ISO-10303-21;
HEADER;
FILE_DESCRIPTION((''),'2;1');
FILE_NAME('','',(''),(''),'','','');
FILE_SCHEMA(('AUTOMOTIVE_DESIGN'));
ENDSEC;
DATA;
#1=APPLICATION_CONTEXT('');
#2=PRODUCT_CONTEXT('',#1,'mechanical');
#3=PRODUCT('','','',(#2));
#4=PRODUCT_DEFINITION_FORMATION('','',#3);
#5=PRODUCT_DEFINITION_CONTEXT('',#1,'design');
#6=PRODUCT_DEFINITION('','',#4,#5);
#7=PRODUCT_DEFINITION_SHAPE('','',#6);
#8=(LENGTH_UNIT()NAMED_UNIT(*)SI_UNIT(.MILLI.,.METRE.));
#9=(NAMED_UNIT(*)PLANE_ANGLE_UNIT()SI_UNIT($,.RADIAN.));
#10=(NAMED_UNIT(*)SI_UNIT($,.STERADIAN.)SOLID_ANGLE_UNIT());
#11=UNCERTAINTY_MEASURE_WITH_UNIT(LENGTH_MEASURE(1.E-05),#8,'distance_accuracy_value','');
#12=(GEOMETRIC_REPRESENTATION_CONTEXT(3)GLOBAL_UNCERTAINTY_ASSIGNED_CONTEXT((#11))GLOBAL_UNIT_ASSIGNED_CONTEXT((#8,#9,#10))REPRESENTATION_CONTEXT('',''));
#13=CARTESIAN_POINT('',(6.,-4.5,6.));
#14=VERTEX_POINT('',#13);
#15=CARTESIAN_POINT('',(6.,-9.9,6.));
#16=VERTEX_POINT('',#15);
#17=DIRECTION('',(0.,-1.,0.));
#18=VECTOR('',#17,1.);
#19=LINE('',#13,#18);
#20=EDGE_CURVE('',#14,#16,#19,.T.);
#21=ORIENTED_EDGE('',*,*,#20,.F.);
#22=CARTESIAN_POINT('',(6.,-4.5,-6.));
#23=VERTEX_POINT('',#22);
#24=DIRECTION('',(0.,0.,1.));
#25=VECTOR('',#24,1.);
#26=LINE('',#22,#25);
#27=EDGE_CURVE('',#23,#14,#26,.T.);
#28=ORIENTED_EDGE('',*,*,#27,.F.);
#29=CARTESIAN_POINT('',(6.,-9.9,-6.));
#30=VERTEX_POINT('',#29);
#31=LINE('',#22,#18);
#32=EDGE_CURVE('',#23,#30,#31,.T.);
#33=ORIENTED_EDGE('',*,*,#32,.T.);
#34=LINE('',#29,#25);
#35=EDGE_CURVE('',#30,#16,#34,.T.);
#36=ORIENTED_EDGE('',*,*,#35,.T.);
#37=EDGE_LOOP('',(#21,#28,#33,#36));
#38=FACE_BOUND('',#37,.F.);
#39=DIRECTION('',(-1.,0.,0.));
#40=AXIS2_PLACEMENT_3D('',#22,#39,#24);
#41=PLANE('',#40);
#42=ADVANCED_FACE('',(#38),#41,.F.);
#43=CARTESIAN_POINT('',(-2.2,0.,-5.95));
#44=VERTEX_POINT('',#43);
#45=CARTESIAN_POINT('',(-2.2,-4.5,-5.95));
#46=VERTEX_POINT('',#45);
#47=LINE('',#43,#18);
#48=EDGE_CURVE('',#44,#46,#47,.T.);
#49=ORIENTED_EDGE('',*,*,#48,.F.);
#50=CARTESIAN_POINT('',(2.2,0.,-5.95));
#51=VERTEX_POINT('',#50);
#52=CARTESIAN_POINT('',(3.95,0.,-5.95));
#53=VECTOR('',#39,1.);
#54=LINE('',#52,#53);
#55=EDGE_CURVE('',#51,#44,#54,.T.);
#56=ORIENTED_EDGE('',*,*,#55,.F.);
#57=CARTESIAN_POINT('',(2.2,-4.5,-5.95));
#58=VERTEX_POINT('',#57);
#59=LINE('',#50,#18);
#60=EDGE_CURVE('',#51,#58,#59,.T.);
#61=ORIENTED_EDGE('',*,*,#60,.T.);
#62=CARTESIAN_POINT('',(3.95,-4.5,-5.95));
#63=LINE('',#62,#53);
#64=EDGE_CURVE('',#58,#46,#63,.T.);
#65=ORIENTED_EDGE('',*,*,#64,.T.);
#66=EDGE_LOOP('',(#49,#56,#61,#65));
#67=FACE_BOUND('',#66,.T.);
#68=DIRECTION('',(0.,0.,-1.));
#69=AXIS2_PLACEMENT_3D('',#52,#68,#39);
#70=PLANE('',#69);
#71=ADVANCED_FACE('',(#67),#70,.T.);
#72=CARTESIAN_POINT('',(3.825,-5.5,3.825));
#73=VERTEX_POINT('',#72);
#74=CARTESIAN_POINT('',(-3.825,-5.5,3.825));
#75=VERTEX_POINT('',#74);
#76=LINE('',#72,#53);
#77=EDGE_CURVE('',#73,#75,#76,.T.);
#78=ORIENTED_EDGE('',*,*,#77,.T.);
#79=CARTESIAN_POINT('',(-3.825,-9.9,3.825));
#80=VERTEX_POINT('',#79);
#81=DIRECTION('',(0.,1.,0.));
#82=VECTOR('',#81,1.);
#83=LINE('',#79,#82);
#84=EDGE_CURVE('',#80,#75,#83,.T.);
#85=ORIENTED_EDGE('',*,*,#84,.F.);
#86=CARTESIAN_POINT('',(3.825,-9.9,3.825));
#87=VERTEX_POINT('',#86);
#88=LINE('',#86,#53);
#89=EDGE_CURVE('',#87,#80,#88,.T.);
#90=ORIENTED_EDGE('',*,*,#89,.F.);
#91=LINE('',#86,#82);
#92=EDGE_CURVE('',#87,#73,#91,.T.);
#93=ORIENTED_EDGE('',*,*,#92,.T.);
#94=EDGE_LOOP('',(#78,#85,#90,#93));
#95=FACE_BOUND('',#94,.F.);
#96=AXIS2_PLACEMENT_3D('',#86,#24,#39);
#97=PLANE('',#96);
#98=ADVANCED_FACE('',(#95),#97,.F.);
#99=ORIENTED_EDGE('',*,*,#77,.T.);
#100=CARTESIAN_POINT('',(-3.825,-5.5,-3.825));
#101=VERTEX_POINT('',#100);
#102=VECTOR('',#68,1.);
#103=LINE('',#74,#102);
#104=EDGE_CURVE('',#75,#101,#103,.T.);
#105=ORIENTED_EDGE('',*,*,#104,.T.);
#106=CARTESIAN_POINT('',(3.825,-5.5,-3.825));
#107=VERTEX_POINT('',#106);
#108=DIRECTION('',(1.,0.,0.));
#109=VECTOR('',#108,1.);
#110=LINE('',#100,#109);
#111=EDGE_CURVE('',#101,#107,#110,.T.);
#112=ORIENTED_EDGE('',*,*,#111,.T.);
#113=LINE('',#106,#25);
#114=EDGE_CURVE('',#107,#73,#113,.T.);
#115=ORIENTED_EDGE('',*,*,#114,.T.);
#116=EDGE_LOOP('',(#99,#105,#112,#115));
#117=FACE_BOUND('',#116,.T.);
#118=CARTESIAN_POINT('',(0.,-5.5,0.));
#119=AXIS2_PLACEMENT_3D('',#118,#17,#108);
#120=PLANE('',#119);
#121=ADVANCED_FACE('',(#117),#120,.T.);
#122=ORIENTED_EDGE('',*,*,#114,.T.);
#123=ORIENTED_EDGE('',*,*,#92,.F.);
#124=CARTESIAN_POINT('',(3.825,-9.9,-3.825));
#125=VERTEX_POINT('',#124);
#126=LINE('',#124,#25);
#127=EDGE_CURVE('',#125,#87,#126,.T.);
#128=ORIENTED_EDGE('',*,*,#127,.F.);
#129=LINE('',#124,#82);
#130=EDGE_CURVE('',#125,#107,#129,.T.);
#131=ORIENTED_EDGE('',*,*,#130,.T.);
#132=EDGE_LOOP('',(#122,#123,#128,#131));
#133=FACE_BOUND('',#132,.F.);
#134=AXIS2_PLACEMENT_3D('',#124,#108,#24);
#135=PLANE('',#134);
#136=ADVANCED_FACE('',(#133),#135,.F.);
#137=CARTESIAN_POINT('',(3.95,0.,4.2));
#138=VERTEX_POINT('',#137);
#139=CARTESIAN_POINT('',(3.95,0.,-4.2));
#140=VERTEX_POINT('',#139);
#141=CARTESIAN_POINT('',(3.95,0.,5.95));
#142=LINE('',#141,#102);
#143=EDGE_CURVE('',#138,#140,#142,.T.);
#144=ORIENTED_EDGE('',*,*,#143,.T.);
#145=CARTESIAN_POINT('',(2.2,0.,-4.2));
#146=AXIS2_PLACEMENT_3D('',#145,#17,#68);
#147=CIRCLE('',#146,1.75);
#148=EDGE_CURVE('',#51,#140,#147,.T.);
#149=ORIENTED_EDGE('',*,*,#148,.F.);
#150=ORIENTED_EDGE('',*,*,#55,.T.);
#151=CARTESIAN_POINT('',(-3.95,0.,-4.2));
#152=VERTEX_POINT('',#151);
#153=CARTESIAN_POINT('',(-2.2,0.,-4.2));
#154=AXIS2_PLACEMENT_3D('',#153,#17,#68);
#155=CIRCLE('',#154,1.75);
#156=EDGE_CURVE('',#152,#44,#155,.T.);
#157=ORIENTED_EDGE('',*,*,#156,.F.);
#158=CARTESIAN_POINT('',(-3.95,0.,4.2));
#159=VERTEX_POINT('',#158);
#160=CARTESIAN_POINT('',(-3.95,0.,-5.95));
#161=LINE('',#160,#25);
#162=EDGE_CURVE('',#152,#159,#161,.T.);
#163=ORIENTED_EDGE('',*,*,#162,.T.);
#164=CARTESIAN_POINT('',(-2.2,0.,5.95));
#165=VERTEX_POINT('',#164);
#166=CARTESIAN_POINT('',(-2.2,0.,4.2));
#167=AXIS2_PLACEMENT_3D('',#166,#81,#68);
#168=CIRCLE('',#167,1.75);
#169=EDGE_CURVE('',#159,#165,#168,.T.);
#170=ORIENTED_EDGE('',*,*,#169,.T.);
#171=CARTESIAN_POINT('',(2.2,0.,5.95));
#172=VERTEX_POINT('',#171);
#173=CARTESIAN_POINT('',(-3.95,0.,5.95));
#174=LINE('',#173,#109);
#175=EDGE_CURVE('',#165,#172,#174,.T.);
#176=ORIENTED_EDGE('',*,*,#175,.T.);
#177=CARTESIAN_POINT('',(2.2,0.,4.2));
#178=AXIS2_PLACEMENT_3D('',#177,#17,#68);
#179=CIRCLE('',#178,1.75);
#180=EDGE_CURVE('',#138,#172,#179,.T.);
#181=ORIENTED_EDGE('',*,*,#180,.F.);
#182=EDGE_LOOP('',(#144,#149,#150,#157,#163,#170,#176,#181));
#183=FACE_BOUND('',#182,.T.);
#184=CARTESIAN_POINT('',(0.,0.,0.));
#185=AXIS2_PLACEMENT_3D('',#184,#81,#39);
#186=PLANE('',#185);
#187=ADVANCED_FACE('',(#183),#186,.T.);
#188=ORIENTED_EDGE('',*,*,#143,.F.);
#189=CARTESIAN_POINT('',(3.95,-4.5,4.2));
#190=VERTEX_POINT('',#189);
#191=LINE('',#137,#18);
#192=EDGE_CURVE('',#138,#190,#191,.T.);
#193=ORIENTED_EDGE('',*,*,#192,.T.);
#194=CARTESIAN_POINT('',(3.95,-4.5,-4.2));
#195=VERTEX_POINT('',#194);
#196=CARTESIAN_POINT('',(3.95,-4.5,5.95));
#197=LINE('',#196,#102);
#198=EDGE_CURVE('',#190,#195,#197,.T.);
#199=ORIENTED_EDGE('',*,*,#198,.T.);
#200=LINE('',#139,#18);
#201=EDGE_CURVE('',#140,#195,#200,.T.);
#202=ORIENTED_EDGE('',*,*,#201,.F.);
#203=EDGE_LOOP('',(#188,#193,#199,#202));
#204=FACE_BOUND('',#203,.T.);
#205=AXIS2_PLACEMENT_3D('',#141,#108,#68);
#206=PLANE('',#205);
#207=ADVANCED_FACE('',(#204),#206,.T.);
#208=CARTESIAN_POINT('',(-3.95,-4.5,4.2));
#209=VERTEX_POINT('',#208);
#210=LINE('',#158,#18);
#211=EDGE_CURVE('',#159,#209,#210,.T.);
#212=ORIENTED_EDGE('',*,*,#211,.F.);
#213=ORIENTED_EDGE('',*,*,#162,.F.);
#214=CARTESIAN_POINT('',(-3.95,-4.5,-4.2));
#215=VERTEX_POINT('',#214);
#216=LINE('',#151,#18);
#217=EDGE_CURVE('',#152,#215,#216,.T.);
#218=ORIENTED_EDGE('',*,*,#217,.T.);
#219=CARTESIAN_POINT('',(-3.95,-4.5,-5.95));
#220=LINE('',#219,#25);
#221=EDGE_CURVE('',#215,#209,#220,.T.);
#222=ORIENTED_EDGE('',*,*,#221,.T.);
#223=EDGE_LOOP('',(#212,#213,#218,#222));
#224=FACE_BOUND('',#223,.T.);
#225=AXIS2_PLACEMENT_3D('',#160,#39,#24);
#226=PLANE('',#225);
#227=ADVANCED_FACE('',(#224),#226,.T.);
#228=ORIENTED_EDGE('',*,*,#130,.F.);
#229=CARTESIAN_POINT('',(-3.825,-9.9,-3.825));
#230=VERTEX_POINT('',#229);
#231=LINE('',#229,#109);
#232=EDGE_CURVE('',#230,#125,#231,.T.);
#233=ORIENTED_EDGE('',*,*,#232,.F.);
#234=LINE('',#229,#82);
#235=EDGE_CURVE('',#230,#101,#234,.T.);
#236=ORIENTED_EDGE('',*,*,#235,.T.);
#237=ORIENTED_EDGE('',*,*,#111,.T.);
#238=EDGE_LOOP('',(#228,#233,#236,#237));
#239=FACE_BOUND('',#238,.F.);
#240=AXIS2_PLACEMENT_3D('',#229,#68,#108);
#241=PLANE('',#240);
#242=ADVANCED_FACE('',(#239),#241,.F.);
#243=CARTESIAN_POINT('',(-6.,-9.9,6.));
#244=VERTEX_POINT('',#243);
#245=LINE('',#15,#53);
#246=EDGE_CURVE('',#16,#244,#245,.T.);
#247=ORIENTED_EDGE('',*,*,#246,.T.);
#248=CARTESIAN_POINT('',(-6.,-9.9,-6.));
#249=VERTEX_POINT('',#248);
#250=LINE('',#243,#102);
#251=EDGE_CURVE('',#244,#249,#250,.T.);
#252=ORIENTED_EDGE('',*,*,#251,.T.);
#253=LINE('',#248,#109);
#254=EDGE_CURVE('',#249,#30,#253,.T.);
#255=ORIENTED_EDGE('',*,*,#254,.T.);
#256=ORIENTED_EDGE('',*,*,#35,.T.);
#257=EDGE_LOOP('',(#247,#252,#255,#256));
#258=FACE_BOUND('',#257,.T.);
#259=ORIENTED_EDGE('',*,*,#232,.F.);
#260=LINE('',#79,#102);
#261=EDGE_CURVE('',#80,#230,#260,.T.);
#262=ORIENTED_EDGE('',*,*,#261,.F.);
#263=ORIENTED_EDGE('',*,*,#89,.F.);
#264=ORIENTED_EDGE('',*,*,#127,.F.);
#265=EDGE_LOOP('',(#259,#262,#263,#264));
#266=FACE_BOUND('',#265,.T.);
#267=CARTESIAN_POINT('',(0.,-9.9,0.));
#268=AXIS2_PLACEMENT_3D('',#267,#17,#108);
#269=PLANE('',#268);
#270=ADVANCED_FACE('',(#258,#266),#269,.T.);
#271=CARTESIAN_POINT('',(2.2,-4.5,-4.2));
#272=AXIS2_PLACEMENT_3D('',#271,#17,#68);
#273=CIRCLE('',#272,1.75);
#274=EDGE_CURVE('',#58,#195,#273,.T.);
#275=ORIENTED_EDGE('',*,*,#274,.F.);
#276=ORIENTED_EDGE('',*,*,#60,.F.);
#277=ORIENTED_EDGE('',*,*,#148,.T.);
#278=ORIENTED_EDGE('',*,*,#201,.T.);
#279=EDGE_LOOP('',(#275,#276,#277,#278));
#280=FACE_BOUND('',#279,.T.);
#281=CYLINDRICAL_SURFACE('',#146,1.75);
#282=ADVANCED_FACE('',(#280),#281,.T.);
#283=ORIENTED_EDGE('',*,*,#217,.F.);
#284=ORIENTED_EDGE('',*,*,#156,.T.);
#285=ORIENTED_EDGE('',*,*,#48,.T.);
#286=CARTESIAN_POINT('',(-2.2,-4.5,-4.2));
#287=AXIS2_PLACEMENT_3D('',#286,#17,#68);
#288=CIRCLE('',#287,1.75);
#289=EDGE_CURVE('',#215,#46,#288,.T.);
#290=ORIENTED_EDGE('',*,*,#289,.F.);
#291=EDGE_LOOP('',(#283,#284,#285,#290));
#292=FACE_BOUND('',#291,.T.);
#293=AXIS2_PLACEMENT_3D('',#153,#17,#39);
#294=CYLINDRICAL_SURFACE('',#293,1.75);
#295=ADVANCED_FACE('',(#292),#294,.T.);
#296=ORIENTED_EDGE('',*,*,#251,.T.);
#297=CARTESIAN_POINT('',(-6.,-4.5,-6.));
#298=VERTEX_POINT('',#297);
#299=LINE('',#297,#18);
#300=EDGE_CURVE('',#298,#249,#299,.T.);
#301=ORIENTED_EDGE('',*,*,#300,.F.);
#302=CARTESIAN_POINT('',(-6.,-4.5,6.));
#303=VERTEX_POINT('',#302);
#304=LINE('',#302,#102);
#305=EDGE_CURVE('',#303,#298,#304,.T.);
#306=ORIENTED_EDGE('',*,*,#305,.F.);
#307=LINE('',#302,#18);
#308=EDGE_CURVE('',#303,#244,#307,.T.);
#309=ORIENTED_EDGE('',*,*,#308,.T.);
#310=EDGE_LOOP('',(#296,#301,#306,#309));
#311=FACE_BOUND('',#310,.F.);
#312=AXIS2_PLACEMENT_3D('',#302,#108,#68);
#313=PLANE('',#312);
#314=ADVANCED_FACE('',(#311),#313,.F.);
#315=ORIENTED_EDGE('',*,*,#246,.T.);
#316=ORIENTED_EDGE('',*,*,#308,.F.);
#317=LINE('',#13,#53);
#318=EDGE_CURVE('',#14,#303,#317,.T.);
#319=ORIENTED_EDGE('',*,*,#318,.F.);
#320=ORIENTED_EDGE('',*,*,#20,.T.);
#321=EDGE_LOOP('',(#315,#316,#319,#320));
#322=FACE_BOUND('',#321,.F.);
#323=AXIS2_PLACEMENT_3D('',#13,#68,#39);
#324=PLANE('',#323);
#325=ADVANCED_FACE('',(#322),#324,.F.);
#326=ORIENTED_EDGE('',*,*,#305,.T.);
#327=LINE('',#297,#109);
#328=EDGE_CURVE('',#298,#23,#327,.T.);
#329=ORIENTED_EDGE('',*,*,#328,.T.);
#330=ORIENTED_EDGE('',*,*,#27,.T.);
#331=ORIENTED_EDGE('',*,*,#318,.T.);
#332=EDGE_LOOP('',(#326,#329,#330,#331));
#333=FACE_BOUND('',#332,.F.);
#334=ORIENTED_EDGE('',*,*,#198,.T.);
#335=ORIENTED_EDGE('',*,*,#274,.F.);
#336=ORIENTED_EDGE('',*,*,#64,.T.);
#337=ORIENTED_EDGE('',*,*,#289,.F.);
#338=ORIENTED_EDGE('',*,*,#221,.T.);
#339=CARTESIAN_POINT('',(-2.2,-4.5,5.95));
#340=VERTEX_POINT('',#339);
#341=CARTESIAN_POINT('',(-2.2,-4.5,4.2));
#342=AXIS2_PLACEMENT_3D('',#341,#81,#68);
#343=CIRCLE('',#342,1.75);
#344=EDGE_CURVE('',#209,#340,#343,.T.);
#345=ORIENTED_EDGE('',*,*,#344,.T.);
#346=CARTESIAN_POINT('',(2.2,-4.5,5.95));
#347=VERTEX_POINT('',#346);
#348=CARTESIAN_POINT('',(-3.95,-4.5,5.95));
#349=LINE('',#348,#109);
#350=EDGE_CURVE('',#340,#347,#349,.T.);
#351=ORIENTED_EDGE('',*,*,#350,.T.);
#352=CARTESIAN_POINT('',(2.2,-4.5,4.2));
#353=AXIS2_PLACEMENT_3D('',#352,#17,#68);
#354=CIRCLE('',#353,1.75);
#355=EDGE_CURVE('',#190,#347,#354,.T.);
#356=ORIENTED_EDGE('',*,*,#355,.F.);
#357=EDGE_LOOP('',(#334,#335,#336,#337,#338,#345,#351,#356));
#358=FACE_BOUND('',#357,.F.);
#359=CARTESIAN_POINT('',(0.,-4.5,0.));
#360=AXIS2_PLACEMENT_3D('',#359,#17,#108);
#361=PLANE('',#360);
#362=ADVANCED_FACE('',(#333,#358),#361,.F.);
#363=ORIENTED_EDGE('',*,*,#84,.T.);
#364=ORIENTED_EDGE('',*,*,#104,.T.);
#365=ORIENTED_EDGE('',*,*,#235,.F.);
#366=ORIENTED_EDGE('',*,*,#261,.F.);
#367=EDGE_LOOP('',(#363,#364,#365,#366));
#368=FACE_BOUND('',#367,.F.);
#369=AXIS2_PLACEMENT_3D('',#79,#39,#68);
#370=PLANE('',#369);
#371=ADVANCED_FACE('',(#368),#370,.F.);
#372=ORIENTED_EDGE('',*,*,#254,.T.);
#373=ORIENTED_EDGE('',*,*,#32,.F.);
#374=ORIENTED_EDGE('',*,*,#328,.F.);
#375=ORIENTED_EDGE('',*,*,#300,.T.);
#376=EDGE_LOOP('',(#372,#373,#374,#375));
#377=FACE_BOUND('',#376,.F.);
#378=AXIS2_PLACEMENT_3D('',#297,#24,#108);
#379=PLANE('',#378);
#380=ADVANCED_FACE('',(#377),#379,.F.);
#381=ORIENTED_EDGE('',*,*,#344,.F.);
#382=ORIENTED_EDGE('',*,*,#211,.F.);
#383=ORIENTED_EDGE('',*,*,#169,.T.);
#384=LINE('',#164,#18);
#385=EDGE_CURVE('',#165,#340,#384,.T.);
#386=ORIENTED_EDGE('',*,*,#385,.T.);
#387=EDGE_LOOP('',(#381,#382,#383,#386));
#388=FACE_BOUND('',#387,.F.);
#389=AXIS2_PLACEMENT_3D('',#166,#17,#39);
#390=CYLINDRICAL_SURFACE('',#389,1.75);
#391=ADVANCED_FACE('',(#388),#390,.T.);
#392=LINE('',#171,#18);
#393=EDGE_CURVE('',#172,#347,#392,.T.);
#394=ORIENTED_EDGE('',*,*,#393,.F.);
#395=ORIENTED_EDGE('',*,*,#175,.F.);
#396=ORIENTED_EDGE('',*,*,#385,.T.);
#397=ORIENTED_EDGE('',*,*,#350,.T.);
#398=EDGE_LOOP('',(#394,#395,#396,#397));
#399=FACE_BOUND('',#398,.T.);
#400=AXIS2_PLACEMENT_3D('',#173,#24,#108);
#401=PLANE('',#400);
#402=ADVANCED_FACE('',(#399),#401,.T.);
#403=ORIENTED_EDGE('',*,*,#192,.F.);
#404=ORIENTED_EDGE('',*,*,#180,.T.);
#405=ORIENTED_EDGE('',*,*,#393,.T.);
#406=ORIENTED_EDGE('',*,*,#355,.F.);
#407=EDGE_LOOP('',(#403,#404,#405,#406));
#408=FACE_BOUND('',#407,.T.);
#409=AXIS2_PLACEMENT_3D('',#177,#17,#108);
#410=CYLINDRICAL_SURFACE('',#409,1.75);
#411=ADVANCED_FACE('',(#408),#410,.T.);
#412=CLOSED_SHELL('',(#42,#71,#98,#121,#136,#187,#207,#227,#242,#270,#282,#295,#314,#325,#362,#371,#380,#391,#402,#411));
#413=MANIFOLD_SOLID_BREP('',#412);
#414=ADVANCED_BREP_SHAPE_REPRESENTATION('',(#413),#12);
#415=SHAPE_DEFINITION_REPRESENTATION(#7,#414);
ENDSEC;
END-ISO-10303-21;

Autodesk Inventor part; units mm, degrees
ref_plane "YZ Plane" through (0, 0, 0) normal (1, 0, 0) x (0, 1, 0)
ref_plane "XZ Plane" through (0, 0, 0) normal (0, 1, 0) x (-1, 0, 0)
ref_plane "XY Plane" through (0, 0, 0) normal (0, 0, 1) x (1, 0, 0)
sketch "Sketch1" plane through (0, 0, 0) normal (0, 1, 0) x (-1, 0, 0)
  point P0 (0, 0)
sketch "Sketch2" plane through (0, 0, 0) normal (0, 1, 0) x (-1, 0, 0)
  line L0 (3.95, 5.95) -> (-3.95, 5.95)
  line L1 (-3.95, 5.95) -> (-3.95, -5.95)
  line L2 (-3.95, -5.95) -> (3.95, -5.95)
  line L3 (3.95, -5.95) -> (3.95, 5.95)
  line L4 (3.95, 5.95) -> (-3.95, -5.95) construction
  line L5 (-3.95, 5.95) -> (3.95, -5.95) construction
  point P0 (0, 0)
  dimension "d0" = 7.9
  dimension "d1" = 11.9
extrude "Extrusion1" add sketch "Sketch2" against normal blind 4.5
fillet "Fillet1" radius 1.75 4 edges at (3.95, -2.25, 5.95) (3.95, -2.25, -5.95) (-3.95, -2.25, 5.95) (-3.95, -2.25, -5.95)
sketch "Sketch3" plane through (0, -4.5, 0) normal (0, -1, 0) x (1, 0, 0)
  line L0 (6, 6) -> (-6, 6)
  line L1 (-6, 6) -> (-6, -6)
  line L2 (-6, -6) -> (6, -6)
  line L3 (6, -6) -> (6, 6)
  line L4 (6, 6) -> (-6, -6) construction
  line L5 (-6, 6) -> (6, -6) construction
  point P0 (0, 0)
  dimension "d5" = 12
  dimension "d6" = 12
extrude "Extrusion2" add sketch "Sketch3" along normal blind 5.4
sketch "Sketch4" plane through (0, -9.9, 0) normal (0, -1, 0) x (1, 0, 0)
  line L0 (3.825, 3.825) -> (-3.825, 3.825)
  line L1 (-3.825, 3.825) -> (-3.825, -3.825)
  line L2 (-3.825, -3.825) -> (3.825, -3.825)
  line L3 (3.825, -3.825) -> (3.825, 3.825)
  line L4 (3.825, 3.825) -> (-3.825, -3.825) construction
  line L5 (-3.825, 3.825) -> (3.825, -3.825) construction
  point P0 (0, 0)
  dimension "d9" = 7.65
  dimension "d10" = 7.65
extrude "Extrusion3" cut sketch "Sketch4" against normal blind 4.4
properties part number "blank button_3DPrint"
